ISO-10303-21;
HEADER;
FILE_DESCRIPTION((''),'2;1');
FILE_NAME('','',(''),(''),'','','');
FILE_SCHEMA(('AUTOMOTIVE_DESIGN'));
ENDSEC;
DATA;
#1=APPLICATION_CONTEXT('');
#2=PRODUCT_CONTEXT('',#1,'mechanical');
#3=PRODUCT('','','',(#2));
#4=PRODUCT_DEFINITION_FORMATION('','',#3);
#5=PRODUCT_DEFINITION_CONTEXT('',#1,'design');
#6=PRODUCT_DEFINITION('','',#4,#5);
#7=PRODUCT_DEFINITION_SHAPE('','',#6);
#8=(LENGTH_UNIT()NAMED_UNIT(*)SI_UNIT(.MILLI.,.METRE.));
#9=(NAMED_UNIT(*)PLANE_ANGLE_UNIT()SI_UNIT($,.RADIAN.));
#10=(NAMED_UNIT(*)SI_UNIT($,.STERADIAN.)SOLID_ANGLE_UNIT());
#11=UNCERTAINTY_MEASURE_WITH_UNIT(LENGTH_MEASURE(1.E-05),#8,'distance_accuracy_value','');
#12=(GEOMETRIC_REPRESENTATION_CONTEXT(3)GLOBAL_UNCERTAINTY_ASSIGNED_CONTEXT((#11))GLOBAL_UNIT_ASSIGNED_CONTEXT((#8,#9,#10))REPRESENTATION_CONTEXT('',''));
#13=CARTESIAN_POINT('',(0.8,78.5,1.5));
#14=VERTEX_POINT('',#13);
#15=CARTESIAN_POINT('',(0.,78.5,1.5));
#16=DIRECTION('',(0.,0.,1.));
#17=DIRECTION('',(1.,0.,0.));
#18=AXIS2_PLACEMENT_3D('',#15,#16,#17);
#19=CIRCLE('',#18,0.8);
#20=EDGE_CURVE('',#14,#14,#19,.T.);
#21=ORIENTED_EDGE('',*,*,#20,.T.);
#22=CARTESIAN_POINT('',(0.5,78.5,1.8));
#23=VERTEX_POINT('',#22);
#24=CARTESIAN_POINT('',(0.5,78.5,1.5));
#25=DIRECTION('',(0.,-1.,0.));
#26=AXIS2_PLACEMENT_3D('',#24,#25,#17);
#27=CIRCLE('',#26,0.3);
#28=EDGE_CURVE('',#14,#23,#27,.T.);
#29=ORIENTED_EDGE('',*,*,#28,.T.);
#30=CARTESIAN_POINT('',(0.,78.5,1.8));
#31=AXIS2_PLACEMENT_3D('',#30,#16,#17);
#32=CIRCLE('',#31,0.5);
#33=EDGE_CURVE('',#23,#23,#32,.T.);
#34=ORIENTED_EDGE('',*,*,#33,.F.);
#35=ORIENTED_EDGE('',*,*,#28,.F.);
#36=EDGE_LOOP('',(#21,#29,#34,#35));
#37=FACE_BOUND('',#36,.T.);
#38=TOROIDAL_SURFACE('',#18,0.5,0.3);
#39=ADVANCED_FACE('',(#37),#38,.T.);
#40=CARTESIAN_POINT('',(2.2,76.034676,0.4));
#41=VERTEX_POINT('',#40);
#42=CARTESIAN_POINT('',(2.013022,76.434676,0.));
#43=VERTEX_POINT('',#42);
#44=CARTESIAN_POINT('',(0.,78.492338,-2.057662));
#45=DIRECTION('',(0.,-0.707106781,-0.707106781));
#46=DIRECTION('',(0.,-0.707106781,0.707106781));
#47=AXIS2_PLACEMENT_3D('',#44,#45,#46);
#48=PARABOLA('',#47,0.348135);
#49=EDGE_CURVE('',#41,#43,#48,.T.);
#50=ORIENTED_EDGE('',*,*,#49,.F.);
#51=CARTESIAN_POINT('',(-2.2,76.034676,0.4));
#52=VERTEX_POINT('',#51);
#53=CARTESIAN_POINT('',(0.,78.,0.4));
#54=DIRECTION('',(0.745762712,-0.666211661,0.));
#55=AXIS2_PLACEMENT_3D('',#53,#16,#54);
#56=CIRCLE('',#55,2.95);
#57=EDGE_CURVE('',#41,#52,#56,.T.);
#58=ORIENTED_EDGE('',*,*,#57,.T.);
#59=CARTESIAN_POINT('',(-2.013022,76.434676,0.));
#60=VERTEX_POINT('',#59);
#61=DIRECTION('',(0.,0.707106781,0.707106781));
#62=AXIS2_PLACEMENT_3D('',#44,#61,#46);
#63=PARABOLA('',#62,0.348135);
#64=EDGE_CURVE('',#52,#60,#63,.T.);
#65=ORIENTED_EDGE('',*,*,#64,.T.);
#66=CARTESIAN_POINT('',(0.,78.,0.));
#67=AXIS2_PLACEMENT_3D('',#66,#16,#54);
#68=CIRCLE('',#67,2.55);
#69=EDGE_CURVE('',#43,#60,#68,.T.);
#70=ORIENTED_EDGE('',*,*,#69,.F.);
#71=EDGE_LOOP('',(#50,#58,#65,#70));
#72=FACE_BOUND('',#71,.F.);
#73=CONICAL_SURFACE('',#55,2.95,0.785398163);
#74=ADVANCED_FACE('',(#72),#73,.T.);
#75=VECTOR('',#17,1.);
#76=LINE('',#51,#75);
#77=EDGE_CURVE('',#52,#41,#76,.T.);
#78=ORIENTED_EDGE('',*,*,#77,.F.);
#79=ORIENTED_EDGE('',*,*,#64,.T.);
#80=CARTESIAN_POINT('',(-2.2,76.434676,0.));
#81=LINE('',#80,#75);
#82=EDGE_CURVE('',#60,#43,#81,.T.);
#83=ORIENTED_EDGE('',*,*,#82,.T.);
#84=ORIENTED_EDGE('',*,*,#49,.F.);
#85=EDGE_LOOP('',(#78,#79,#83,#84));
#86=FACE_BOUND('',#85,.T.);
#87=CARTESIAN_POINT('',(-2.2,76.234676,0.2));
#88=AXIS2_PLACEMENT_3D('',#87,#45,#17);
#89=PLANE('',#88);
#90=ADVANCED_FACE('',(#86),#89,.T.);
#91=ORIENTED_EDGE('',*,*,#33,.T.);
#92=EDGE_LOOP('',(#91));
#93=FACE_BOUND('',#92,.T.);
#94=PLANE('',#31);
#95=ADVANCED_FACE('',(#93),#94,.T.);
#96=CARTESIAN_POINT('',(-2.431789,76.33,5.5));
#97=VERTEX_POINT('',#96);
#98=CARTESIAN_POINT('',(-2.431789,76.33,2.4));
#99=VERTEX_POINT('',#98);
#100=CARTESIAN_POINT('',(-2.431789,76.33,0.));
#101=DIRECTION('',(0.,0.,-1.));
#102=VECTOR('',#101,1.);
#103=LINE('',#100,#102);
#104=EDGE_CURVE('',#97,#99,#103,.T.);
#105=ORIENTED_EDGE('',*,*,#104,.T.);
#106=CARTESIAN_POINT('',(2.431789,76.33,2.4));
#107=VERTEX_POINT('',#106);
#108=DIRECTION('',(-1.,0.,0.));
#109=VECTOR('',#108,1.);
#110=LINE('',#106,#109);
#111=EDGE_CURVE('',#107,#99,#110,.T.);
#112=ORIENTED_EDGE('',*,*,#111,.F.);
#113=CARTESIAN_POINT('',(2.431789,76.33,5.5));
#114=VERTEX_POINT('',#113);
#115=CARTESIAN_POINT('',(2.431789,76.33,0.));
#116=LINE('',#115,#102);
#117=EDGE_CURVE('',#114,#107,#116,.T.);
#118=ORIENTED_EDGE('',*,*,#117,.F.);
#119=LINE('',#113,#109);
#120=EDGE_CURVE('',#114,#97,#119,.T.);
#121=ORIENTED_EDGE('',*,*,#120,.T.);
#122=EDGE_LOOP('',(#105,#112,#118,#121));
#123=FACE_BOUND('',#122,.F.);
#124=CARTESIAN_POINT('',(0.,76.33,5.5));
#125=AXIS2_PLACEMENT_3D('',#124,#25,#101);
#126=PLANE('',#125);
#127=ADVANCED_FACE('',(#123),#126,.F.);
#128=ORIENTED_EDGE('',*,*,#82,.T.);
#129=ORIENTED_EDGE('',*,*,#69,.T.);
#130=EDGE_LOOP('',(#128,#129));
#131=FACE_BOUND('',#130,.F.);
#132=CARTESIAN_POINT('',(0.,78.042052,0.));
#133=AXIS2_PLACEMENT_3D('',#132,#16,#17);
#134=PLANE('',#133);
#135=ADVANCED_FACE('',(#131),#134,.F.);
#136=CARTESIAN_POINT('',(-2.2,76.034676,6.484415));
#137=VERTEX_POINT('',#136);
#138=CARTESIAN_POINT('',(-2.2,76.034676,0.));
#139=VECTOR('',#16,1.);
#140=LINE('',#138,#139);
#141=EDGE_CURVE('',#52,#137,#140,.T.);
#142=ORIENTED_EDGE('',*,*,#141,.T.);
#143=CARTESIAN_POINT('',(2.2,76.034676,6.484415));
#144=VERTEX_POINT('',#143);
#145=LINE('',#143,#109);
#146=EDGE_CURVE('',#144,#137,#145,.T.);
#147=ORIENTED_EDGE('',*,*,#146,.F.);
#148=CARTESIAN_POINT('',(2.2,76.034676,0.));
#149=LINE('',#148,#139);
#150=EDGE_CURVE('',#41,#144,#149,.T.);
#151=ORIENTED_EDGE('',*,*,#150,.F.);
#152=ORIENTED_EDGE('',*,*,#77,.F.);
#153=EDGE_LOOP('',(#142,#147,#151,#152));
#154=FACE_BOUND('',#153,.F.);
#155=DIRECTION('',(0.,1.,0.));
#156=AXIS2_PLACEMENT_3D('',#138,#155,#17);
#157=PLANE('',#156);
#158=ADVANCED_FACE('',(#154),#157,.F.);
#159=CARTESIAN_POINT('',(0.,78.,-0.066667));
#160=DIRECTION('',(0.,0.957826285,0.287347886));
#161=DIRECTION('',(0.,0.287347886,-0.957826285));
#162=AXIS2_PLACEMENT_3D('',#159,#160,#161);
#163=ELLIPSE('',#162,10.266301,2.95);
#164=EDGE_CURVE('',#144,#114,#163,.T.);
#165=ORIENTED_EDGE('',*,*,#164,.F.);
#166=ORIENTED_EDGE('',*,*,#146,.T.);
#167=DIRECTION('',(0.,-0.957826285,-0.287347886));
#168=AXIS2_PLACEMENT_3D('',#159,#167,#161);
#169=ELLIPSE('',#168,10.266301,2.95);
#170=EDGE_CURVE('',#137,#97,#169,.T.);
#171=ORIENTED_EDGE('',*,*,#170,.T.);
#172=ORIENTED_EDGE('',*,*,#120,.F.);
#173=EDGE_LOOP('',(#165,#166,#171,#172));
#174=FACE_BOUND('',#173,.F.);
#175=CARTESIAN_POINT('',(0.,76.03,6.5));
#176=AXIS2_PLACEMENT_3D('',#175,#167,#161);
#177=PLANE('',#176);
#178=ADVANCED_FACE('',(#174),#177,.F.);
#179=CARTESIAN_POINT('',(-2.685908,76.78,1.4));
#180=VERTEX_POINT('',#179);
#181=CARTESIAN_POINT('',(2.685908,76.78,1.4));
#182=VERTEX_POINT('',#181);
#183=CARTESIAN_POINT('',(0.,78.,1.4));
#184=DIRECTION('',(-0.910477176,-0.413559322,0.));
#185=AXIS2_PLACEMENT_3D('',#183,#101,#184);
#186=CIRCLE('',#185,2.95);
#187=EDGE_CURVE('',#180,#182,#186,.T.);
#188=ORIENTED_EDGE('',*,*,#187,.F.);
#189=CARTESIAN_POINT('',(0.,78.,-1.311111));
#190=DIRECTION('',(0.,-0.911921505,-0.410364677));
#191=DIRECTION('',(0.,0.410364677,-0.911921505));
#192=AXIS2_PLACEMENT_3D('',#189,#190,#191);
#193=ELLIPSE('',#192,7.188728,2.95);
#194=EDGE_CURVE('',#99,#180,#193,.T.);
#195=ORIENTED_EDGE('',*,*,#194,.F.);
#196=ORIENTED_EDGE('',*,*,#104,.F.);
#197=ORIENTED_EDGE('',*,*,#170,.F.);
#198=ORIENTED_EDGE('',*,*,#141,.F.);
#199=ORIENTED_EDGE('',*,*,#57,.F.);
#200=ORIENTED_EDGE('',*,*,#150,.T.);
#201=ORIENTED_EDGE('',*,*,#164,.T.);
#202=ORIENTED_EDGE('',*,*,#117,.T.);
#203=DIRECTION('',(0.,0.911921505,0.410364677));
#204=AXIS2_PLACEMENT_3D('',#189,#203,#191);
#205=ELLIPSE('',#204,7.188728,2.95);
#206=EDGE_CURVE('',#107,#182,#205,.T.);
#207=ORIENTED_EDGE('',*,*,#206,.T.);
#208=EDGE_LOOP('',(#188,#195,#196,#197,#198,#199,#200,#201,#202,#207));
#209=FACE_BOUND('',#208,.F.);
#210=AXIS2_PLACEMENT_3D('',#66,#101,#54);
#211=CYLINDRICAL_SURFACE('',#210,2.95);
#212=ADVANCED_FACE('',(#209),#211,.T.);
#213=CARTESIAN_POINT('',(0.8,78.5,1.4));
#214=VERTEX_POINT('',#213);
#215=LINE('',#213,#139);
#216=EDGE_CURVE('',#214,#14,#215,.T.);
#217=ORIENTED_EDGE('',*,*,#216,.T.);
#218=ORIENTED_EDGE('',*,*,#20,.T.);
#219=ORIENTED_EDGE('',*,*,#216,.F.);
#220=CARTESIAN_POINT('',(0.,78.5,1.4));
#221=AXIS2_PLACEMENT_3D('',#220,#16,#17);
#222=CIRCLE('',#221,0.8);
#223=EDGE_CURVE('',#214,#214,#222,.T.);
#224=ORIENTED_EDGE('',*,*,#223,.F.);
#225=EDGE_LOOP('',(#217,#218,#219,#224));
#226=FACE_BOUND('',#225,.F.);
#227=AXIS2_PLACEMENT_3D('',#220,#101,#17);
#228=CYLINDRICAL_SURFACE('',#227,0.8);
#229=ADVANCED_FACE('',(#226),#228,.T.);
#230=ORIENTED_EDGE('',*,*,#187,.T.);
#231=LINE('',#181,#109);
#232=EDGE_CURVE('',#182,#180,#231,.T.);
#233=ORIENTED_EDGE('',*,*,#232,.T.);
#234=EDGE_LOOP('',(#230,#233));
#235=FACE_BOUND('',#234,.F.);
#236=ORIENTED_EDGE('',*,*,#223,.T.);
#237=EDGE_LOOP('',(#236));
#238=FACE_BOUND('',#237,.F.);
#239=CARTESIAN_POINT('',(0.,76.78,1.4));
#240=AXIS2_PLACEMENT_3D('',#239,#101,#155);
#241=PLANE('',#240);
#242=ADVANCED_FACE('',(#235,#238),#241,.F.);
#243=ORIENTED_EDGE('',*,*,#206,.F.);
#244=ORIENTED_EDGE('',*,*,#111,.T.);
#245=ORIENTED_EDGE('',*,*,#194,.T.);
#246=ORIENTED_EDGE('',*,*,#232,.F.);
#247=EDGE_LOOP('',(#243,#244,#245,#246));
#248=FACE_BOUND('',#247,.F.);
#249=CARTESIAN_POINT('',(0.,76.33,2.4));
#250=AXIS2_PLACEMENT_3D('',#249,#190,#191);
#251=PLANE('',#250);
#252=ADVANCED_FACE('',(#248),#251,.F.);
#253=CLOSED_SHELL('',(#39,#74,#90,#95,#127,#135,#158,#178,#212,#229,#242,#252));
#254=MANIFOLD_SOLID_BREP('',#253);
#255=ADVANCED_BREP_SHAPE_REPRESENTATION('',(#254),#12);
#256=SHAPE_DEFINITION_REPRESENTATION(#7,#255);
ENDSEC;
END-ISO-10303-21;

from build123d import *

# Parameters (mm, degrees)
PAD008_DEPTH         = 6.5
POCKET007_DEPTH      = 2.951
POCKET007_DEPTH_BACK = 2.951
SKETCH023_R          = 0.8
PAD009_DEPTH         = 0.4
FILLET001_R          = 0.3
CHAMFER007_SIZE      = 0.4


with BuildPart() as part:
    # Sketch022 → Pad008 (new body)
    with BuildSketch(Plane.XY):
        with BuildLine():
            ThreePointArc((2.2, -1.9653244007), (0, 2.95), (-2.2, -1.9653244007))
            Line((-2.2, -1.9653244007), (2.2, -1.9653244007))
        make_face()
    extrude(amount=PAD008_DEPTH)

    # Sketch024 → Pocket007 (cut, two sides)
    with BuildSketch(Plane.YZ) as pocket007_sk:
        Polygon((-1.97, 6.5), (-1.67, 5.5), (-1.67, 2.4), (-1.22, 1.4), (4, 1.4), (4, 6.5), align=None)
    extrude(amount=-POCKET007_DEPTH, mode=Mode.SUBTRACT)
    extrude(pocket007_sk.sketch, amount=POCKET007_DEPTH_BACK, mode=Mode.SUBTRACT)

    # Sketch023 (on Face7 of Pocket007) → Pad009 (join)
    with BuildSketch(Plane.XY.offset(1.4)):
        with Locations((0, 0.5)):
            Circle(SKETCH023_R)
    extrude(amount=PAD009_DEPTH)

    # Fillet001
    fillet001_edges = [part.edges().sort_by_distance(p)[0] for p in [
        (-0.8, 0.5, 1.8),
    ]]
    fillet(fillet001_edges, radius=FILLET001_R)

    # Chamfer007
    chamfer007_edges = [part.edges().sort_by_distance(p)[0] for p in [
        (0, 2.95, 0),
        (0, -1.965324, 0),
    ]]
    chamfer(chamfer007_edges, length=CHAMFER007_SIZE)


with BuildPart() as part_1:
    # Body093 placement: moved
    add(part.part.moved(Location((0, 78, 0))))


solid = part_1.part
